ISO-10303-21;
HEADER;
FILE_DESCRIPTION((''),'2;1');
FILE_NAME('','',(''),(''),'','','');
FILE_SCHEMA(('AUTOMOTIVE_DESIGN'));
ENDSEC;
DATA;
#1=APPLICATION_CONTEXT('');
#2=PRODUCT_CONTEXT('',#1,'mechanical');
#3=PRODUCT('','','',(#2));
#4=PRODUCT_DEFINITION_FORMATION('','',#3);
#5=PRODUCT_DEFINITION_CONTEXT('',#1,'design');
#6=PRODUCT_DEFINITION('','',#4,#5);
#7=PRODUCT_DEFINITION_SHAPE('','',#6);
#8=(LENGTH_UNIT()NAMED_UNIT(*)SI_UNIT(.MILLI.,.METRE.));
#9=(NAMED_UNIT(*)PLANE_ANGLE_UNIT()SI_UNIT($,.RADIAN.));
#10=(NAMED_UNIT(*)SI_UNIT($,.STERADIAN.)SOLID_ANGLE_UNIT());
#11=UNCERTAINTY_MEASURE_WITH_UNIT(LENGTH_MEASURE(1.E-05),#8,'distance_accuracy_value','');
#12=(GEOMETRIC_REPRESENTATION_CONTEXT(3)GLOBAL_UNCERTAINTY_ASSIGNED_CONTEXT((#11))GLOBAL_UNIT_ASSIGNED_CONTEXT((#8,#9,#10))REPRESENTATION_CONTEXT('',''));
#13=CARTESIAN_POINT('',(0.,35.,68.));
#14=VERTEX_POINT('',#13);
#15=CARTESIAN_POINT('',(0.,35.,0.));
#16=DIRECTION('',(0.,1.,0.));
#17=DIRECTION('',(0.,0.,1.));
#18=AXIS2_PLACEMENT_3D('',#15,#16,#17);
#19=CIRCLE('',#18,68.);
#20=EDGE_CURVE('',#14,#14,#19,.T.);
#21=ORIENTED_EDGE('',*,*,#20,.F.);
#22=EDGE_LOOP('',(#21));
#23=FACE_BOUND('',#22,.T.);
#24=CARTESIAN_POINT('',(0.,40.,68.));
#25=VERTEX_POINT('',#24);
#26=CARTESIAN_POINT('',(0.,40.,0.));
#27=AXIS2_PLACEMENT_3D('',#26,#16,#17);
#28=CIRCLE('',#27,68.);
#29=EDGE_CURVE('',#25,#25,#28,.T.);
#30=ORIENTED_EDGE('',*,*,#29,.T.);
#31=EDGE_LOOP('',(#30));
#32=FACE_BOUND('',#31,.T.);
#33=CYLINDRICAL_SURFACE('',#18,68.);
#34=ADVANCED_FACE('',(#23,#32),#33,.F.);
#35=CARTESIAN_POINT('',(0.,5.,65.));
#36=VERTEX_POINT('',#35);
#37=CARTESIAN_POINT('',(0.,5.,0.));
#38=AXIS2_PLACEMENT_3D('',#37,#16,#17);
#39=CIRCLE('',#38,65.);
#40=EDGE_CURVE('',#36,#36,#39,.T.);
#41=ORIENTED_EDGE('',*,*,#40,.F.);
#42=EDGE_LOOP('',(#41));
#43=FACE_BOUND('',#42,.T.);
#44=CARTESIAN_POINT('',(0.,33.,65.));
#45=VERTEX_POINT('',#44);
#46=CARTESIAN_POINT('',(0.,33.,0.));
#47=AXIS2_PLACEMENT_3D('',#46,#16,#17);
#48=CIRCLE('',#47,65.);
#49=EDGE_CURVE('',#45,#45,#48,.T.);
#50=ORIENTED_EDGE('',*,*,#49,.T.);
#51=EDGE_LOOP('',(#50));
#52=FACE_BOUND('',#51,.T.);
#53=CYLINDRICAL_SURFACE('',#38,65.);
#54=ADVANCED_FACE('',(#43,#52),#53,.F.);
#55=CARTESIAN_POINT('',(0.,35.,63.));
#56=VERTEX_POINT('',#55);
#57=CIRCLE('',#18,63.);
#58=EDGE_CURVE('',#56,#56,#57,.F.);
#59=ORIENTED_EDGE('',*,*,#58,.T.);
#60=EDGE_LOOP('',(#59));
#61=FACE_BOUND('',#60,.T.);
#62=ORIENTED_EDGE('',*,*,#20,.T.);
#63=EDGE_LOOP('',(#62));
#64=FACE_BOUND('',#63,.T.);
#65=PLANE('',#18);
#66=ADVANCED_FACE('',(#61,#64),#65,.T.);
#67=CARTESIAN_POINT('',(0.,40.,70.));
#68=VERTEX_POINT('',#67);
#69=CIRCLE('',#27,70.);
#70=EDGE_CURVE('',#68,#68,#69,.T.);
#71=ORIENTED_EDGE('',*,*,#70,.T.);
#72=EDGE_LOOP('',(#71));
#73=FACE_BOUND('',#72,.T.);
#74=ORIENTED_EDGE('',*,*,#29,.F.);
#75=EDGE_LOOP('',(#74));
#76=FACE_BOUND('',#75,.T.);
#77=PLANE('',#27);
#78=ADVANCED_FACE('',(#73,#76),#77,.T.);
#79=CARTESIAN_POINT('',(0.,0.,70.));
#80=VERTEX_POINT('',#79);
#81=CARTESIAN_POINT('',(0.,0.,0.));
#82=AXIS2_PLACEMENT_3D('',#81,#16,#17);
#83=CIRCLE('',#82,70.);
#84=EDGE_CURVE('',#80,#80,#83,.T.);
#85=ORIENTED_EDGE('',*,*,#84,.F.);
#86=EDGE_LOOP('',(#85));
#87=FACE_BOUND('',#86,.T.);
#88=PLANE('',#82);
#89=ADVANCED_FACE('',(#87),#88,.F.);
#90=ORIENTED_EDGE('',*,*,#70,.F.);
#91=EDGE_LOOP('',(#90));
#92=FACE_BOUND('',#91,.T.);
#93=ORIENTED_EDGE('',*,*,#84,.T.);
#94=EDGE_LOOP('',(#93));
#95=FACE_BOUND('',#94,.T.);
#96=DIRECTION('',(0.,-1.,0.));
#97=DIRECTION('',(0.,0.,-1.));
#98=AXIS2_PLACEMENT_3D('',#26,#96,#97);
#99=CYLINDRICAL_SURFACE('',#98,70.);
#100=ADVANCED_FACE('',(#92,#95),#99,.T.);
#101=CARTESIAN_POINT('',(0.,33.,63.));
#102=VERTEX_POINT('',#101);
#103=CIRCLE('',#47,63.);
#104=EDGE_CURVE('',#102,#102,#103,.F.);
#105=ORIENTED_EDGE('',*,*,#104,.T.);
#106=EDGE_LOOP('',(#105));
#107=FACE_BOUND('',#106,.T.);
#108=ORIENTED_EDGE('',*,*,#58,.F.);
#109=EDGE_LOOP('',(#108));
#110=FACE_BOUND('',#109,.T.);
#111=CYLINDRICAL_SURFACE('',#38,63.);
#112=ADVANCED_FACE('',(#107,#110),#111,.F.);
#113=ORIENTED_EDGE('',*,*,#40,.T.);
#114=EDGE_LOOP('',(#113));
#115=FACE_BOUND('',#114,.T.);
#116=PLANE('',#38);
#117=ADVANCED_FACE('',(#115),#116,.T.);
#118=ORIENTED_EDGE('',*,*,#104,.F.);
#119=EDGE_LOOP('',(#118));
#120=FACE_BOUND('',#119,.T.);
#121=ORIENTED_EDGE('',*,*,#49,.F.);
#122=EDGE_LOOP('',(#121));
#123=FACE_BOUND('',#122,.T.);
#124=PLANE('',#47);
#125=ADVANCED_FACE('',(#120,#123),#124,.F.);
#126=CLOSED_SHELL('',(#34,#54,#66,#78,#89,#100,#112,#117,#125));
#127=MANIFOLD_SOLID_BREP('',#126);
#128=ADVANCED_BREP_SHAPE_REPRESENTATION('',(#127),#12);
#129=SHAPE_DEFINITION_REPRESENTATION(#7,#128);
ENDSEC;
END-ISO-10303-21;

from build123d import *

# Parameters (mm, degrees)
SKETCH2_R           = 70
BOSS_EXTRUDE1_DEPTH = 40
SKETCH4_R           = 63
CUT_EXTRUDE1_DEPTH  = 35
SKETCH5_R           = 68
CUT_EXTRUDE2_DEPTH  = 5
SKETCH6_R           = 65
CUT_EXTRUDE3_DEPTH  = 28


with BuildPart() as part:
    # Sketch2 → Boss-Extrude1 (new body)
    with BuildSketch(Plane(origin=(0, 0, 0), x_dir=(1, 0, 0), z_dir=(0, 1, 0))):
        with Locations(Location((0, 0, 0), (0, 0, 270))):
            Circle(SKETCH2_R)
    extrude(amount=BOSS_EXTRUDE1_DEPTH)

    # Sketch4 → Cut-Extrude1 (cut)
    with BuildSketch(Plane(origin=(0, 40, 0), x_dir=(1, 0, 0), z_dir=(0, 1, 0))):
        with Locations(Location((0, 0, 0), (0, 0, 270))):
            Circle(SKETCH4_R)
    extrude(amount=-CUT_EXTRUDE1_DEPTH, mode=Mode.SUBTRACT)

    # Sketch5 → Cut-Extrude2 (cut)
    with BuildSketch(Plane(origin=(0, 40, 0), x_dir=(1, 0, 0), z_dir=(0, 1, 0))):
        with Locations(Location((0, 0, 0), (0, 0, 270))):
            Circle(SKETCH5_R)
    extrude(amount=-CUT_EXTRUDE2_DEPTH, mode=Mode.SUBTRACT)

    # Sketch6 → Cut-Extrude3 (cut)
    with BuildSketch(Plane(origin=(0, 33, 0), x_dir=(1, 0, 0), z_dir=(0, 1, 0))):
        with Locations(Location((0, 0, 0), (0, 0, 270))):
            Circle(SKETCH6_R)
    extrude(amount=-CUT_EXTRUDE3_DEPTH, mode=Mode.SUBTRACT)


solid = part.part
